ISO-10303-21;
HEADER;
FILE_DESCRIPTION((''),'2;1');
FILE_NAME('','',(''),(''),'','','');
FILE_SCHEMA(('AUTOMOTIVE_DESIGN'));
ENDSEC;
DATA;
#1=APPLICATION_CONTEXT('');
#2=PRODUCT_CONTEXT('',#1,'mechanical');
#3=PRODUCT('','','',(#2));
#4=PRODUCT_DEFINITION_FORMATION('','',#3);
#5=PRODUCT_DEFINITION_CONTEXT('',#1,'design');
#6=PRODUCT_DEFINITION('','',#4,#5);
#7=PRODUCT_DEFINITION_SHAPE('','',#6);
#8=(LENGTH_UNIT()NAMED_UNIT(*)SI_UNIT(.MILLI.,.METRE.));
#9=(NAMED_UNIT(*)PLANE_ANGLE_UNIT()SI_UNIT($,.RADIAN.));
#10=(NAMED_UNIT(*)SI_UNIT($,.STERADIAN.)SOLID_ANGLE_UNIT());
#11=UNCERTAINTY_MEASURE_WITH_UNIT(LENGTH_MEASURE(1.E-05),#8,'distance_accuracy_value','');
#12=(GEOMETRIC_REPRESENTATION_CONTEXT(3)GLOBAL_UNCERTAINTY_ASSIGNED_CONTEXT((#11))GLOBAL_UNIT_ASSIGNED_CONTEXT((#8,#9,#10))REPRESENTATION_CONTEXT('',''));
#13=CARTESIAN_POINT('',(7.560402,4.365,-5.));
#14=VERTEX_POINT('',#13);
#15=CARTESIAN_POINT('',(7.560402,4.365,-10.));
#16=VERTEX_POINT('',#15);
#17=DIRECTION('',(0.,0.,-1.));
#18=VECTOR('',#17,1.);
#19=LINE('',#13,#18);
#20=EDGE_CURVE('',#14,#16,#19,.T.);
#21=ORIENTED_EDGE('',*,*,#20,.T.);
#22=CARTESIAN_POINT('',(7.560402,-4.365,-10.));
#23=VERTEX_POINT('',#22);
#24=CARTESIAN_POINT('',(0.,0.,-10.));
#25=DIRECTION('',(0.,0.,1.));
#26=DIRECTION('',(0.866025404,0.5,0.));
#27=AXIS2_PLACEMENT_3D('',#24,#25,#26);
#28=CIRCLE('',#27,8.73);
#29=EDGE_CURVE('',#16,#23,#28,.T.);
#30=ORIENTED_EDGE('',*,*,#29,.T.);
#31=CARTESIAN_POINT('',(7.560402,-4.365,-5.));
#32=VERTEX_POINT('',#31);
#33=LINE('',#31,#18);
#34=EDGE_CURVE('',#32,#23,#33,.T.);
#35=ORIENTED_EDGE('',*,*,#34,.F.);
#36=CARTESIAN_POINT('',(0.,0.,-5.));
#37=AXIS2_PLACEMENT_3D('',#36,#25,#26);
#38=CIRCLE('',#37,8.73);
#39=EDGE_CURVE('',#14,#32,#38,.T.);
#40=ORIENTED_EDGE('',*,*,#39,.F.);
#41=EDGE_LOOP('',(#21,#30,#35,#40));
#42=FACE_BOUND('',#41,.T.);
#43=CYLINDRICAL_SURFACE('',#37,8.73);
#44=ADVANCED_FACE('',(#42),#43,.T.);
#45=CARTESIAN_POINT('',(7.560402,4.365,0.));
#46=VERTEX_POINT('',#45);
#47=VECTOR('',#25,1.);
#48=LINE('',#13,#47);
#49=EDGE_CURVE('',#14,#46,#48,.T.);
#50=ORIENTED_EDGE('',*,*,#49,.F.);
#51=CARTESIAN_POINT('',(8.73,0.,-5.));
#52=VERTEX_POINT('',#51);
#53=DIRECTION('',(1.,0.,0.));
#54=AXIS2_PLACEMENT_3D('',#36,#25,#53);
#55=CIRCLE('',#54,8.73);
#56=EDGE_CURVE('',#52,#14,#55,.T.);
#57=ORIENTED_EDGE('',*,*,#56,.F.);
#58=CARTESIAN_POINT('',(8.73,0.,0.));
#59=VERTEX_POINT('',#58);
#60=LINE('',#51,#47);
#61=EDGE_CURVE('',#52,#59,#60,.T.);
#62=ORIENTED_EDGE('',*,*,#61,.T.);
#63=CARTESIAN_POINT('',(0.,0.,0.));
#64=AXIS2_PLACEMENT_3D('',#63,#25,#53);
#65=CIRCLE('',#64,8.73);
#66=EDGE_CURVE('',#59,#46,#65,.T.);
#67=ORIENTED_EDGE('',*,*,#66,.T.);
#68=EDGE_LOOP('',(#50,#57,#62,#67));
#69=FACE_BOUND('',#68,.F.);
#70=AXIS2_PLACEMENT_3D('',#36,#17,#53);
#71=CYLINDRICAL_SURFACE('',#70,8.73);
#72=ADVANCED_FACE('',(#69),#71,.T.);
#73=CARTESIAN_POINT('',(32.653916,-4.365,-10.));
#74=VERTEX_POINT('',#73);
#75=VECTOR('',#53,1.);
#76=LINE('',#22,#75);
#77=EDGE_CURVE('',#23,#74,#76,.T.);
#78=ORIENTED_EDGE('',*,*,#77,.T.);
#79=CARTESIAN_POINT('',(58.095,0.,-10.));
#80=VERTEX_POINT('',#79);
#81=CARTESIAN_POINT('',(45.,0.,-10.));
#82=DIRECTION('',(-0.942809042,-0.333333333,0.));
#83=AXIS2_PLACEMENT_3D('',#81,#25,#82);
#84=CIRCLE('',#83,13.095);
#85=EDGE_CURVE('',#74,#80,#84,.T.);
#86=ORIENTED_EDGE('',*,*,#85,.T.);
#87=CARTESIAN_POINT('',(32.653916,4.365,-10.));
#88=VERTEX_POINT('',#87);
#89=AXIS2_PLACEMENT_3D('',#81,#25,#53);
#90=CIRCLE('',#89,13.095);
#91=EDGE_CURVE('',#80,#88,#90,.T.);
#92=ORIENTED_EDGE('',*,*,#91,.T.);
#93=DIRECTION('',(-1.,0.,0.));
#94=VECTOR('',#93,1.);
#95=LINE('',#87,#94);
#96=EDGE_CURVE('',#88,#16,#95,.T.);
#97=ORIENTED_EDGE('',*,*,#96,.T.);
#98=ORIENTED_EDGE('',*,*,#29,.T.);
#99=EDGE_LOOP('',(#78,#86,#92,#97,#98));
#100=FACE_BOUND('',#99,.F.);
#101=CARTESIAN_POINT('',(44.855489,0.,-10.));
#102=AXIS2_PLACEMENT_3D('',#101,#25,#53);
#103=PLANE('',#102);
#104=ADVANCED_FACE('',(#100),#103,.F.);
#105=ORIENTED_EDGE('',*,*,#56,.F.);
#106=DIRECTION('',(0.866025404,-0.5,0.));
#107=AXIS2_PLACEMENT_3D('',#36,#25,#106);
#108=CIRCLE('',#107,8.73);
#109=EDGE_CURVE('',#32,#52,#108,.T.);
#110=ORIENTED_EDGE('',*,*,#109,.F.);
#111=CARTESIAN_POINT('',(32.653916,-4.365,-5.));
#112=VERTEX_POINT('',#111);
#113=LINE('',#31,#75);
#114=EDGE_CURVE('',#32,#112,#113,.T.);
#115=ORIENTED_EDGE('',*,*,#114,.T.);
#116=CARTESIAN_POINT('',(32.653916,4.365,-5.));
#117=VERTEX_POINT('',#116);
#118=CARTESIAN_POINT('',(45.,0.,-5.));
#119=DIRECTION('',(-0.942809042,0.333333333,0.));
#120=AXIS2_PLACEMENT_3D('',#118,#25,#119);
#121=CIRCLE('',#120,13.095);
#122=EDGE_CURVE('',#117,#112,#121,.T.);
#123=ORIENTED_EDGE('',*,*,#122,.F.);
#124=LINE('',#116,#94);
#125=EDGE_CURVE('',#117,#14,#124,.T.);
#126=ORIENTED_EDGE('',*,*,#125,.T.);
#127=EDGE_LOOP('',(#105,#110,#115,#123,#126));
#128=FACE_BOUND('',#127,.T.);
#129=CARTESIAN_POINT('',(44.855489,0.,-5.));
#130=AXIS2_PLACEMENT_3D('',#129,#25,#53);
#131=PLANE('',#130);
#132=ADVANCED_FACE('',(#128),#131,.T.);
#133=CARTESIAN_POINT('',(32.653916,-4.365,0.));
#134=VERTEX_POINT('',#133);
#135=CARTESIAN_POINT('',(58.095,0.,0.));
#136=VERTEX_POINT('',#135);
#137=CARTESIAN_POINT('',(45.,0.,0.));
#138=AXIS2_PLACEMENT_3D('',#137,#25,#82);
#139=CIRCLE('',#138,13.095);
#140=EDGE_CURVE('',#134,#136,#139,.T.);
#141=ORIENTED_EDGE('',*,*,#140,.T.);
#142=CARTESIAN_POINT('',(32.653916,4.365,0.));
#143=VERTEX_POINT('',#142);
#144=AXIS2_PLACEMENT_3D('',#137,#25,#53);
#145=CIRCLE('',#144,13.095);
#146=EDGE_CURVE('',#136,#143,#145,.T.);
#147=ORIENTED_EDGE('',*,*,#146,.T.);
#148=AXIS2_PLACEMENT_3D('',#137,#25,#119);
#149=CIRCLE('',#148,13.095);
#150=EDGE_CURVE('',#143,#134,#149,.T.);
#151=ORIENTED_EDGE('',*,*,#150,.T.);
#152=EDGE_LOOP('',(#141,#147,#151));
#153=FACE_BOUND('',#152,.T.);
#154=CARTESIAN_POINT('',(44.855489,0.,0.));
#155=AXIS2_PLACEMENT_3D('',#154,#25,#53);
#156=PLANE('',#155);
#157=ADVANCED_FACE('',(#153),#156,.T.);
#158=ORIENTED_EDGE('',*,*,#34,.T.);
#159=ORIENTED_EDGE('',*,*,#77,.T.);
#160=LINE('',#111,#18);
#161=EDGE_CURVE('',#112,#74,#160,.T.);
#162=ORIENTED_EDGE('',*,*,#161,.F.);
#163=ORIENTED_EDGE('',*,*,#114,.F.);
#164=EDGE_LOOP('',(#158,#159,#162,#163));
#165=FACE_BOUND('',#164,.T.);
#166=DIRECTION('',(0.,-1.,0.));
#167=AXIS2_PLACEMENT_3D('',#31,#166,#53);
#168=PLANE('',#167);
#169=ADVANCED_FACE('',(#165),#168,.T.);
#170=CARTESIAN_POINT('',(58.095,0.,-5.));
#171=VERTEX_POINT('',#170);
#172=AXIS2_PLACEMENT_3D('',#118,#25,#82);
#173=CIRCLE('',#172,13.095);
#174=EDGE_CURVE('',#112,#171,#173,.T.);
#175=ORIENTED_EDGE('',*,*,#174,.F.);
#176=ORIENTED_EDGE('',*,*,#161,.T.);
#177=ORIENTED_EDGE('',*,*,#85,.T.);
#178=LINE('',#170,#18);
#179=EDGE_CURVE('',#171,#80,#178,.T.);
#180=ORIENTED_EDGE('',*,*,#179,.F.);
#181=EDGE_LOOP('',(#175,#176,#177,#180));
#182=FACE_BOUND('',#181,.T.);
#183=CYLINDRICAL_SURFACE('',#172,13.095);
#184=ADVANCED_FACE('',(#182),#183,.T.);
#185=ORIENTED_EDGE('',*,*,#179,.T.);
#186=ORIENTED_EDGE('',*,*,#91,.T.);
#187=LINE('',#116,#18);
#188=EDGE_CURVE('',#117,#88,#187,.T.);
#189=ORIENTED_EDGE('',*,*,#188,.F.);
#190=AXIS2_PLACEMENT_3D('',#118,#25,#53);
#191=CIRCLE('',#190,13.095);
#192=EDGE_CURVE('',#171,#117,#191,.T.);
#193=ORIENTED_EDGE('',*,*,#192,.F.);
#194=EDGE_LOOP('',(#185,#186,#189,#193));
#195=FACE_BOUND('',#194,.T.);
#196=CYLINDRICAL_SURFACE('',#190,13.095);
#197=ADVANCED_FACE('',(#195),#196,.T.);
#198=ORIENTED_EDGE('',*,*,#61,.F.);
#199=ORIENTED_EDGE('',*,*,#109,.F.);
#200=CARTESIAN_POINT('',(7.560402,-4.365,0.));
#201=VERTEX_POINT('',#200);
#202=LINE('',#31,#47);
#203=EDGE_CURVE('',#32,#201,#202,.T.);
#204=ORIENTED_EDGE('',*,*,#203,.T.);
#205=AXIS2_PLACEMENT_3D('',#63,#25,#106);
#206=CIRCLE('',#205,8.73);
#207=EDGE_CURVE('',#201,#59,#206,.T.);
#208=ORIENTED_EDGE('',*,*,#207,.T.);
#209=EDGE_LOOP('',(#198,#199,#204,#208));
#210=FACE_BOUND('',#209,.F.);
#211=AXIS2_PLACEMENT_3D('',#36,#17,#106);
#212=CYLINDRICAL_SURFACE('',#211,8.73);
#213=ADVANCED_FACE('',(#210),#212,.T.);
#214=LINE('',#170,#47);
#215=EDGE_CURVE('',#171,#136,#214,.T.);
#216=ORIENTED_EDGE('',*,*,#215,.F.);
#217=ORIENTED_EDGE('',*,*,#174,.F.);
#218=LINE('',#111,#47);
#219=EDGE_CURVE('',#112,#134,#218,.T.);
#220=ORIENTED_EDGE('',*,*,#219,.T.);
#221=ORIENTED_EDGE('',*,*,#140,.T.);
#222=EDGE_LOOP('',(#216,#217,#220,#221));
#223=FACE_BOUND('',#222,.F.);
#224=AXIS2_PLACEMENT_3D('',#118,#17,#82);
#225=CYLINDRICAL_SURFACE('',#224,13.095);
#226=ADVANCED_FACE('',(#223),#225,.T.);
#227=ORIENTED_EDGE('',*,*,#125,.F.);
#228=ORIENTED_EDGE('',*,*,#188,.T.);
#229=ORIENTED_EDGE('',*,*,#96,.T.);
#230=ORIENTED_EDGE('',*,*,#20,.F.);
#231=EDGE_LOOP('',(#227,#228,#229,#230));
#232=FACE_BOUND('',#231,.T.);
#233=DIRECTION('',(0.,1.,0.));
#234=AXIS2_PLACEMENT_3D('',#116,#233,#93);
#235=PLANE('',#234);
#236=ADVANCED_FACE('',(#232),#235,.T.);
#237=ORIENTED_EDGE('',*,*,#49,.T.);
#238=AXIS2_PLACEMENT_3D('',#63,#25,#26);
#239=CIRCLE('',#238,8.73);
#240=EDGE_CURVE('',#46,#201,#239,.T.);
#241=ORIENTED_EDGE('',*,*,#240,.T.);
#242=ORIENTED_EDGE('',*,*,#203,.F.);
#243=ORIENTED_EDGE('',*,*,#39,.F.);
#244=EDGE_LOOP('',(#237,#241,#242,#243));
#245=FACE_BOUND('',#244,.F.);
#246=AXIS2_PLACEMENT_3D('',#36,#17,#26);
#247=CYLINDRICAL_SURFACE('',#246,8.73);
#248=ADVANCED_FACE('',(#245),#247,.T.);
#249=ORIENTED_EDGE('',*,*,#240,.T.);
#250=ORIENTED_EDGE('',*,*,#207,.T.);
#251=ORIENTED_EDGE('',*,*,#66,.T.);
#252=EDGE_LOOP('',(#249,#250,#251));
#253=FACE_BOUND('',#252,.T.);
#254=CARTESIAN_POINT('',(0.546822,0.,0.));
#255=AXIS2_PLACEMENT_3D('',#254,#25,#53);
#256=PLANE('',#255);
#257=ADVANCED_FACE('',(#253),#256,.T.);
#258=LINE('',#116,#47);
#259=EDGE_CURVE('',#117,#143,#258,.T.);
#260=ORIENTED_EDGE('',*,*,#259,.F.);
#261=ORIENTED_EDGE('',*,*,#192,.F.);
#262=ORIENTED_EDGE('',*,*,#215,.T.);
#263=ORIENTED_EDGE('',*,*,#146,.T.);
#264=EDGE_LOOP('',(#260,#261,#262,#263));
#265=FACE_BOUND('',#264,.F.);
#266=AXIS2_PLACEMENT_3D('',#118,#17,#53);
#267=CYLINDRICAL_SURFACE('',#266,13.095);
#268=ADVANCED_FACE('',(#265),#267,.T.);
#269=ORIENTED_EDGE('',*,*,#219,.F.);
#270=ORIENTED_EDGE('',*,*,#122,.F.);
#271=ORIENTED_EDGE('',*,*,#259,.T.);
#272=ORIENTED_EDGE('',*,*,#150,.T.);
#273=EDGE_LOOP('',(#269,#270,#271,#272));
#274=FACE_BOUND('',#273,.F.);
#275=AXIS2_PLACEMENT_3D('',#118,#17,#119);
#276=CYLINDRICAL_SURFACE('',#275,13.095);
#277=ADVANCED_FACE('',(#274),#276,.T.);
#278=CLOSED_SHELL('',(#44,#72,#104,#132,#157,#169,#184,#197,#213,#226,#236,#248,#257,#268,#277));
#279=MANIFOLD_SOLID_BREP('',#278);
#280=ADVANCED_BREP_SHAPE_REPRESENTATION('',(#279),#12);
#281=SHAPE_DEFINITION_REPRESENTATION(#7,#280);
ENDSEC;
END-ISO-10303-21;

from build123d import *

# Parameters (mm, degrees)
F2_DEPTH = 5
F3_DEPTH = 5


with BuildPart() as f2:
    # F1 (on Top) → F2 (new body)
    with BuildSketch(Plane.XY):
        with BuildLine():
            ThreePointArc((7.560401775, -4.365), (8.4325324635, -2.2594902637), (8.73, 0))
            ThreePointArc((8.73, 0), (8.4325324635, 2.2594902637), (7.560401775, 4.365))
            ThreePointArc((7.560401775, 4.365), (-8.73, 0), (7.560401775, -4.365))
        make_face()
        with BuildLine():
            ThreePointArc((58.095, 0), (47.2143904114, 12.9064131387), (32.6539156005, 4.365))
            ThreePointArc((32.6539156005, 4.365), (31.905, 0), (32.6539156005, -4.365))
            ThreePointArc((32.6539156005, -4.365), (47.2143904114, -12.9064131387), (58.095, 0))
        make_face()
    extrude(amount=F2_DEPTH)

    # F1 (on Top) → F3 (join)
    with BuildSketch(Plane.XY):
        with BuildLine():
            ThreePointArc((58.095, 0), (47.2143904114, 12.9064131387), (32.6539156005, 4.365))
            ThreePointArc((32.6539156005, 4.365), (31.905, 0), (32.6539156005, -4.365))
            ThreePointArc((32.6539156005, -4.365), (47.2143904114, -12.9064131387), (58.095, 0))
        make_face()
        with BuildLine():
            ThreePointArc((7.560401775, 4.365), (8.4325324635, 2.2594902637), (8.73, 0))
            ThreePointArc((8.73, 0), (8.4325324635, -2.2594902637), (7.560401775, -4.365))
            Line((7.560401775, -4.365), (32.6539156005, -4.365))
            ThreePointArc((32.6539156005, -4.365), (31.905, 0), (32.6539156005, 4.365))
            Line((32.6539156005, 4.365), (7.560401775, 4.365))
        make_face()
        with BuildLine():
            ThreePointArc((7.560401775, -4.365), (8.4325324635, -2.2594902637), (8.73, 0))
            ThreePointArc((8.73, 0), (8.4325324635, 2.2594902637), (7.560401775, 4.365))
            ThreePointArc((7.560401775, 4.365), (-8.73, 0), (7.560401775, -4.365))
        make_face()
    extrude(amount=-F3_DEPTH)


with BuildPart() as f2_1:
    # F4: moved
    add(f2.part.moved(Location((0, 0, -5))))


solid = f2_1.part
